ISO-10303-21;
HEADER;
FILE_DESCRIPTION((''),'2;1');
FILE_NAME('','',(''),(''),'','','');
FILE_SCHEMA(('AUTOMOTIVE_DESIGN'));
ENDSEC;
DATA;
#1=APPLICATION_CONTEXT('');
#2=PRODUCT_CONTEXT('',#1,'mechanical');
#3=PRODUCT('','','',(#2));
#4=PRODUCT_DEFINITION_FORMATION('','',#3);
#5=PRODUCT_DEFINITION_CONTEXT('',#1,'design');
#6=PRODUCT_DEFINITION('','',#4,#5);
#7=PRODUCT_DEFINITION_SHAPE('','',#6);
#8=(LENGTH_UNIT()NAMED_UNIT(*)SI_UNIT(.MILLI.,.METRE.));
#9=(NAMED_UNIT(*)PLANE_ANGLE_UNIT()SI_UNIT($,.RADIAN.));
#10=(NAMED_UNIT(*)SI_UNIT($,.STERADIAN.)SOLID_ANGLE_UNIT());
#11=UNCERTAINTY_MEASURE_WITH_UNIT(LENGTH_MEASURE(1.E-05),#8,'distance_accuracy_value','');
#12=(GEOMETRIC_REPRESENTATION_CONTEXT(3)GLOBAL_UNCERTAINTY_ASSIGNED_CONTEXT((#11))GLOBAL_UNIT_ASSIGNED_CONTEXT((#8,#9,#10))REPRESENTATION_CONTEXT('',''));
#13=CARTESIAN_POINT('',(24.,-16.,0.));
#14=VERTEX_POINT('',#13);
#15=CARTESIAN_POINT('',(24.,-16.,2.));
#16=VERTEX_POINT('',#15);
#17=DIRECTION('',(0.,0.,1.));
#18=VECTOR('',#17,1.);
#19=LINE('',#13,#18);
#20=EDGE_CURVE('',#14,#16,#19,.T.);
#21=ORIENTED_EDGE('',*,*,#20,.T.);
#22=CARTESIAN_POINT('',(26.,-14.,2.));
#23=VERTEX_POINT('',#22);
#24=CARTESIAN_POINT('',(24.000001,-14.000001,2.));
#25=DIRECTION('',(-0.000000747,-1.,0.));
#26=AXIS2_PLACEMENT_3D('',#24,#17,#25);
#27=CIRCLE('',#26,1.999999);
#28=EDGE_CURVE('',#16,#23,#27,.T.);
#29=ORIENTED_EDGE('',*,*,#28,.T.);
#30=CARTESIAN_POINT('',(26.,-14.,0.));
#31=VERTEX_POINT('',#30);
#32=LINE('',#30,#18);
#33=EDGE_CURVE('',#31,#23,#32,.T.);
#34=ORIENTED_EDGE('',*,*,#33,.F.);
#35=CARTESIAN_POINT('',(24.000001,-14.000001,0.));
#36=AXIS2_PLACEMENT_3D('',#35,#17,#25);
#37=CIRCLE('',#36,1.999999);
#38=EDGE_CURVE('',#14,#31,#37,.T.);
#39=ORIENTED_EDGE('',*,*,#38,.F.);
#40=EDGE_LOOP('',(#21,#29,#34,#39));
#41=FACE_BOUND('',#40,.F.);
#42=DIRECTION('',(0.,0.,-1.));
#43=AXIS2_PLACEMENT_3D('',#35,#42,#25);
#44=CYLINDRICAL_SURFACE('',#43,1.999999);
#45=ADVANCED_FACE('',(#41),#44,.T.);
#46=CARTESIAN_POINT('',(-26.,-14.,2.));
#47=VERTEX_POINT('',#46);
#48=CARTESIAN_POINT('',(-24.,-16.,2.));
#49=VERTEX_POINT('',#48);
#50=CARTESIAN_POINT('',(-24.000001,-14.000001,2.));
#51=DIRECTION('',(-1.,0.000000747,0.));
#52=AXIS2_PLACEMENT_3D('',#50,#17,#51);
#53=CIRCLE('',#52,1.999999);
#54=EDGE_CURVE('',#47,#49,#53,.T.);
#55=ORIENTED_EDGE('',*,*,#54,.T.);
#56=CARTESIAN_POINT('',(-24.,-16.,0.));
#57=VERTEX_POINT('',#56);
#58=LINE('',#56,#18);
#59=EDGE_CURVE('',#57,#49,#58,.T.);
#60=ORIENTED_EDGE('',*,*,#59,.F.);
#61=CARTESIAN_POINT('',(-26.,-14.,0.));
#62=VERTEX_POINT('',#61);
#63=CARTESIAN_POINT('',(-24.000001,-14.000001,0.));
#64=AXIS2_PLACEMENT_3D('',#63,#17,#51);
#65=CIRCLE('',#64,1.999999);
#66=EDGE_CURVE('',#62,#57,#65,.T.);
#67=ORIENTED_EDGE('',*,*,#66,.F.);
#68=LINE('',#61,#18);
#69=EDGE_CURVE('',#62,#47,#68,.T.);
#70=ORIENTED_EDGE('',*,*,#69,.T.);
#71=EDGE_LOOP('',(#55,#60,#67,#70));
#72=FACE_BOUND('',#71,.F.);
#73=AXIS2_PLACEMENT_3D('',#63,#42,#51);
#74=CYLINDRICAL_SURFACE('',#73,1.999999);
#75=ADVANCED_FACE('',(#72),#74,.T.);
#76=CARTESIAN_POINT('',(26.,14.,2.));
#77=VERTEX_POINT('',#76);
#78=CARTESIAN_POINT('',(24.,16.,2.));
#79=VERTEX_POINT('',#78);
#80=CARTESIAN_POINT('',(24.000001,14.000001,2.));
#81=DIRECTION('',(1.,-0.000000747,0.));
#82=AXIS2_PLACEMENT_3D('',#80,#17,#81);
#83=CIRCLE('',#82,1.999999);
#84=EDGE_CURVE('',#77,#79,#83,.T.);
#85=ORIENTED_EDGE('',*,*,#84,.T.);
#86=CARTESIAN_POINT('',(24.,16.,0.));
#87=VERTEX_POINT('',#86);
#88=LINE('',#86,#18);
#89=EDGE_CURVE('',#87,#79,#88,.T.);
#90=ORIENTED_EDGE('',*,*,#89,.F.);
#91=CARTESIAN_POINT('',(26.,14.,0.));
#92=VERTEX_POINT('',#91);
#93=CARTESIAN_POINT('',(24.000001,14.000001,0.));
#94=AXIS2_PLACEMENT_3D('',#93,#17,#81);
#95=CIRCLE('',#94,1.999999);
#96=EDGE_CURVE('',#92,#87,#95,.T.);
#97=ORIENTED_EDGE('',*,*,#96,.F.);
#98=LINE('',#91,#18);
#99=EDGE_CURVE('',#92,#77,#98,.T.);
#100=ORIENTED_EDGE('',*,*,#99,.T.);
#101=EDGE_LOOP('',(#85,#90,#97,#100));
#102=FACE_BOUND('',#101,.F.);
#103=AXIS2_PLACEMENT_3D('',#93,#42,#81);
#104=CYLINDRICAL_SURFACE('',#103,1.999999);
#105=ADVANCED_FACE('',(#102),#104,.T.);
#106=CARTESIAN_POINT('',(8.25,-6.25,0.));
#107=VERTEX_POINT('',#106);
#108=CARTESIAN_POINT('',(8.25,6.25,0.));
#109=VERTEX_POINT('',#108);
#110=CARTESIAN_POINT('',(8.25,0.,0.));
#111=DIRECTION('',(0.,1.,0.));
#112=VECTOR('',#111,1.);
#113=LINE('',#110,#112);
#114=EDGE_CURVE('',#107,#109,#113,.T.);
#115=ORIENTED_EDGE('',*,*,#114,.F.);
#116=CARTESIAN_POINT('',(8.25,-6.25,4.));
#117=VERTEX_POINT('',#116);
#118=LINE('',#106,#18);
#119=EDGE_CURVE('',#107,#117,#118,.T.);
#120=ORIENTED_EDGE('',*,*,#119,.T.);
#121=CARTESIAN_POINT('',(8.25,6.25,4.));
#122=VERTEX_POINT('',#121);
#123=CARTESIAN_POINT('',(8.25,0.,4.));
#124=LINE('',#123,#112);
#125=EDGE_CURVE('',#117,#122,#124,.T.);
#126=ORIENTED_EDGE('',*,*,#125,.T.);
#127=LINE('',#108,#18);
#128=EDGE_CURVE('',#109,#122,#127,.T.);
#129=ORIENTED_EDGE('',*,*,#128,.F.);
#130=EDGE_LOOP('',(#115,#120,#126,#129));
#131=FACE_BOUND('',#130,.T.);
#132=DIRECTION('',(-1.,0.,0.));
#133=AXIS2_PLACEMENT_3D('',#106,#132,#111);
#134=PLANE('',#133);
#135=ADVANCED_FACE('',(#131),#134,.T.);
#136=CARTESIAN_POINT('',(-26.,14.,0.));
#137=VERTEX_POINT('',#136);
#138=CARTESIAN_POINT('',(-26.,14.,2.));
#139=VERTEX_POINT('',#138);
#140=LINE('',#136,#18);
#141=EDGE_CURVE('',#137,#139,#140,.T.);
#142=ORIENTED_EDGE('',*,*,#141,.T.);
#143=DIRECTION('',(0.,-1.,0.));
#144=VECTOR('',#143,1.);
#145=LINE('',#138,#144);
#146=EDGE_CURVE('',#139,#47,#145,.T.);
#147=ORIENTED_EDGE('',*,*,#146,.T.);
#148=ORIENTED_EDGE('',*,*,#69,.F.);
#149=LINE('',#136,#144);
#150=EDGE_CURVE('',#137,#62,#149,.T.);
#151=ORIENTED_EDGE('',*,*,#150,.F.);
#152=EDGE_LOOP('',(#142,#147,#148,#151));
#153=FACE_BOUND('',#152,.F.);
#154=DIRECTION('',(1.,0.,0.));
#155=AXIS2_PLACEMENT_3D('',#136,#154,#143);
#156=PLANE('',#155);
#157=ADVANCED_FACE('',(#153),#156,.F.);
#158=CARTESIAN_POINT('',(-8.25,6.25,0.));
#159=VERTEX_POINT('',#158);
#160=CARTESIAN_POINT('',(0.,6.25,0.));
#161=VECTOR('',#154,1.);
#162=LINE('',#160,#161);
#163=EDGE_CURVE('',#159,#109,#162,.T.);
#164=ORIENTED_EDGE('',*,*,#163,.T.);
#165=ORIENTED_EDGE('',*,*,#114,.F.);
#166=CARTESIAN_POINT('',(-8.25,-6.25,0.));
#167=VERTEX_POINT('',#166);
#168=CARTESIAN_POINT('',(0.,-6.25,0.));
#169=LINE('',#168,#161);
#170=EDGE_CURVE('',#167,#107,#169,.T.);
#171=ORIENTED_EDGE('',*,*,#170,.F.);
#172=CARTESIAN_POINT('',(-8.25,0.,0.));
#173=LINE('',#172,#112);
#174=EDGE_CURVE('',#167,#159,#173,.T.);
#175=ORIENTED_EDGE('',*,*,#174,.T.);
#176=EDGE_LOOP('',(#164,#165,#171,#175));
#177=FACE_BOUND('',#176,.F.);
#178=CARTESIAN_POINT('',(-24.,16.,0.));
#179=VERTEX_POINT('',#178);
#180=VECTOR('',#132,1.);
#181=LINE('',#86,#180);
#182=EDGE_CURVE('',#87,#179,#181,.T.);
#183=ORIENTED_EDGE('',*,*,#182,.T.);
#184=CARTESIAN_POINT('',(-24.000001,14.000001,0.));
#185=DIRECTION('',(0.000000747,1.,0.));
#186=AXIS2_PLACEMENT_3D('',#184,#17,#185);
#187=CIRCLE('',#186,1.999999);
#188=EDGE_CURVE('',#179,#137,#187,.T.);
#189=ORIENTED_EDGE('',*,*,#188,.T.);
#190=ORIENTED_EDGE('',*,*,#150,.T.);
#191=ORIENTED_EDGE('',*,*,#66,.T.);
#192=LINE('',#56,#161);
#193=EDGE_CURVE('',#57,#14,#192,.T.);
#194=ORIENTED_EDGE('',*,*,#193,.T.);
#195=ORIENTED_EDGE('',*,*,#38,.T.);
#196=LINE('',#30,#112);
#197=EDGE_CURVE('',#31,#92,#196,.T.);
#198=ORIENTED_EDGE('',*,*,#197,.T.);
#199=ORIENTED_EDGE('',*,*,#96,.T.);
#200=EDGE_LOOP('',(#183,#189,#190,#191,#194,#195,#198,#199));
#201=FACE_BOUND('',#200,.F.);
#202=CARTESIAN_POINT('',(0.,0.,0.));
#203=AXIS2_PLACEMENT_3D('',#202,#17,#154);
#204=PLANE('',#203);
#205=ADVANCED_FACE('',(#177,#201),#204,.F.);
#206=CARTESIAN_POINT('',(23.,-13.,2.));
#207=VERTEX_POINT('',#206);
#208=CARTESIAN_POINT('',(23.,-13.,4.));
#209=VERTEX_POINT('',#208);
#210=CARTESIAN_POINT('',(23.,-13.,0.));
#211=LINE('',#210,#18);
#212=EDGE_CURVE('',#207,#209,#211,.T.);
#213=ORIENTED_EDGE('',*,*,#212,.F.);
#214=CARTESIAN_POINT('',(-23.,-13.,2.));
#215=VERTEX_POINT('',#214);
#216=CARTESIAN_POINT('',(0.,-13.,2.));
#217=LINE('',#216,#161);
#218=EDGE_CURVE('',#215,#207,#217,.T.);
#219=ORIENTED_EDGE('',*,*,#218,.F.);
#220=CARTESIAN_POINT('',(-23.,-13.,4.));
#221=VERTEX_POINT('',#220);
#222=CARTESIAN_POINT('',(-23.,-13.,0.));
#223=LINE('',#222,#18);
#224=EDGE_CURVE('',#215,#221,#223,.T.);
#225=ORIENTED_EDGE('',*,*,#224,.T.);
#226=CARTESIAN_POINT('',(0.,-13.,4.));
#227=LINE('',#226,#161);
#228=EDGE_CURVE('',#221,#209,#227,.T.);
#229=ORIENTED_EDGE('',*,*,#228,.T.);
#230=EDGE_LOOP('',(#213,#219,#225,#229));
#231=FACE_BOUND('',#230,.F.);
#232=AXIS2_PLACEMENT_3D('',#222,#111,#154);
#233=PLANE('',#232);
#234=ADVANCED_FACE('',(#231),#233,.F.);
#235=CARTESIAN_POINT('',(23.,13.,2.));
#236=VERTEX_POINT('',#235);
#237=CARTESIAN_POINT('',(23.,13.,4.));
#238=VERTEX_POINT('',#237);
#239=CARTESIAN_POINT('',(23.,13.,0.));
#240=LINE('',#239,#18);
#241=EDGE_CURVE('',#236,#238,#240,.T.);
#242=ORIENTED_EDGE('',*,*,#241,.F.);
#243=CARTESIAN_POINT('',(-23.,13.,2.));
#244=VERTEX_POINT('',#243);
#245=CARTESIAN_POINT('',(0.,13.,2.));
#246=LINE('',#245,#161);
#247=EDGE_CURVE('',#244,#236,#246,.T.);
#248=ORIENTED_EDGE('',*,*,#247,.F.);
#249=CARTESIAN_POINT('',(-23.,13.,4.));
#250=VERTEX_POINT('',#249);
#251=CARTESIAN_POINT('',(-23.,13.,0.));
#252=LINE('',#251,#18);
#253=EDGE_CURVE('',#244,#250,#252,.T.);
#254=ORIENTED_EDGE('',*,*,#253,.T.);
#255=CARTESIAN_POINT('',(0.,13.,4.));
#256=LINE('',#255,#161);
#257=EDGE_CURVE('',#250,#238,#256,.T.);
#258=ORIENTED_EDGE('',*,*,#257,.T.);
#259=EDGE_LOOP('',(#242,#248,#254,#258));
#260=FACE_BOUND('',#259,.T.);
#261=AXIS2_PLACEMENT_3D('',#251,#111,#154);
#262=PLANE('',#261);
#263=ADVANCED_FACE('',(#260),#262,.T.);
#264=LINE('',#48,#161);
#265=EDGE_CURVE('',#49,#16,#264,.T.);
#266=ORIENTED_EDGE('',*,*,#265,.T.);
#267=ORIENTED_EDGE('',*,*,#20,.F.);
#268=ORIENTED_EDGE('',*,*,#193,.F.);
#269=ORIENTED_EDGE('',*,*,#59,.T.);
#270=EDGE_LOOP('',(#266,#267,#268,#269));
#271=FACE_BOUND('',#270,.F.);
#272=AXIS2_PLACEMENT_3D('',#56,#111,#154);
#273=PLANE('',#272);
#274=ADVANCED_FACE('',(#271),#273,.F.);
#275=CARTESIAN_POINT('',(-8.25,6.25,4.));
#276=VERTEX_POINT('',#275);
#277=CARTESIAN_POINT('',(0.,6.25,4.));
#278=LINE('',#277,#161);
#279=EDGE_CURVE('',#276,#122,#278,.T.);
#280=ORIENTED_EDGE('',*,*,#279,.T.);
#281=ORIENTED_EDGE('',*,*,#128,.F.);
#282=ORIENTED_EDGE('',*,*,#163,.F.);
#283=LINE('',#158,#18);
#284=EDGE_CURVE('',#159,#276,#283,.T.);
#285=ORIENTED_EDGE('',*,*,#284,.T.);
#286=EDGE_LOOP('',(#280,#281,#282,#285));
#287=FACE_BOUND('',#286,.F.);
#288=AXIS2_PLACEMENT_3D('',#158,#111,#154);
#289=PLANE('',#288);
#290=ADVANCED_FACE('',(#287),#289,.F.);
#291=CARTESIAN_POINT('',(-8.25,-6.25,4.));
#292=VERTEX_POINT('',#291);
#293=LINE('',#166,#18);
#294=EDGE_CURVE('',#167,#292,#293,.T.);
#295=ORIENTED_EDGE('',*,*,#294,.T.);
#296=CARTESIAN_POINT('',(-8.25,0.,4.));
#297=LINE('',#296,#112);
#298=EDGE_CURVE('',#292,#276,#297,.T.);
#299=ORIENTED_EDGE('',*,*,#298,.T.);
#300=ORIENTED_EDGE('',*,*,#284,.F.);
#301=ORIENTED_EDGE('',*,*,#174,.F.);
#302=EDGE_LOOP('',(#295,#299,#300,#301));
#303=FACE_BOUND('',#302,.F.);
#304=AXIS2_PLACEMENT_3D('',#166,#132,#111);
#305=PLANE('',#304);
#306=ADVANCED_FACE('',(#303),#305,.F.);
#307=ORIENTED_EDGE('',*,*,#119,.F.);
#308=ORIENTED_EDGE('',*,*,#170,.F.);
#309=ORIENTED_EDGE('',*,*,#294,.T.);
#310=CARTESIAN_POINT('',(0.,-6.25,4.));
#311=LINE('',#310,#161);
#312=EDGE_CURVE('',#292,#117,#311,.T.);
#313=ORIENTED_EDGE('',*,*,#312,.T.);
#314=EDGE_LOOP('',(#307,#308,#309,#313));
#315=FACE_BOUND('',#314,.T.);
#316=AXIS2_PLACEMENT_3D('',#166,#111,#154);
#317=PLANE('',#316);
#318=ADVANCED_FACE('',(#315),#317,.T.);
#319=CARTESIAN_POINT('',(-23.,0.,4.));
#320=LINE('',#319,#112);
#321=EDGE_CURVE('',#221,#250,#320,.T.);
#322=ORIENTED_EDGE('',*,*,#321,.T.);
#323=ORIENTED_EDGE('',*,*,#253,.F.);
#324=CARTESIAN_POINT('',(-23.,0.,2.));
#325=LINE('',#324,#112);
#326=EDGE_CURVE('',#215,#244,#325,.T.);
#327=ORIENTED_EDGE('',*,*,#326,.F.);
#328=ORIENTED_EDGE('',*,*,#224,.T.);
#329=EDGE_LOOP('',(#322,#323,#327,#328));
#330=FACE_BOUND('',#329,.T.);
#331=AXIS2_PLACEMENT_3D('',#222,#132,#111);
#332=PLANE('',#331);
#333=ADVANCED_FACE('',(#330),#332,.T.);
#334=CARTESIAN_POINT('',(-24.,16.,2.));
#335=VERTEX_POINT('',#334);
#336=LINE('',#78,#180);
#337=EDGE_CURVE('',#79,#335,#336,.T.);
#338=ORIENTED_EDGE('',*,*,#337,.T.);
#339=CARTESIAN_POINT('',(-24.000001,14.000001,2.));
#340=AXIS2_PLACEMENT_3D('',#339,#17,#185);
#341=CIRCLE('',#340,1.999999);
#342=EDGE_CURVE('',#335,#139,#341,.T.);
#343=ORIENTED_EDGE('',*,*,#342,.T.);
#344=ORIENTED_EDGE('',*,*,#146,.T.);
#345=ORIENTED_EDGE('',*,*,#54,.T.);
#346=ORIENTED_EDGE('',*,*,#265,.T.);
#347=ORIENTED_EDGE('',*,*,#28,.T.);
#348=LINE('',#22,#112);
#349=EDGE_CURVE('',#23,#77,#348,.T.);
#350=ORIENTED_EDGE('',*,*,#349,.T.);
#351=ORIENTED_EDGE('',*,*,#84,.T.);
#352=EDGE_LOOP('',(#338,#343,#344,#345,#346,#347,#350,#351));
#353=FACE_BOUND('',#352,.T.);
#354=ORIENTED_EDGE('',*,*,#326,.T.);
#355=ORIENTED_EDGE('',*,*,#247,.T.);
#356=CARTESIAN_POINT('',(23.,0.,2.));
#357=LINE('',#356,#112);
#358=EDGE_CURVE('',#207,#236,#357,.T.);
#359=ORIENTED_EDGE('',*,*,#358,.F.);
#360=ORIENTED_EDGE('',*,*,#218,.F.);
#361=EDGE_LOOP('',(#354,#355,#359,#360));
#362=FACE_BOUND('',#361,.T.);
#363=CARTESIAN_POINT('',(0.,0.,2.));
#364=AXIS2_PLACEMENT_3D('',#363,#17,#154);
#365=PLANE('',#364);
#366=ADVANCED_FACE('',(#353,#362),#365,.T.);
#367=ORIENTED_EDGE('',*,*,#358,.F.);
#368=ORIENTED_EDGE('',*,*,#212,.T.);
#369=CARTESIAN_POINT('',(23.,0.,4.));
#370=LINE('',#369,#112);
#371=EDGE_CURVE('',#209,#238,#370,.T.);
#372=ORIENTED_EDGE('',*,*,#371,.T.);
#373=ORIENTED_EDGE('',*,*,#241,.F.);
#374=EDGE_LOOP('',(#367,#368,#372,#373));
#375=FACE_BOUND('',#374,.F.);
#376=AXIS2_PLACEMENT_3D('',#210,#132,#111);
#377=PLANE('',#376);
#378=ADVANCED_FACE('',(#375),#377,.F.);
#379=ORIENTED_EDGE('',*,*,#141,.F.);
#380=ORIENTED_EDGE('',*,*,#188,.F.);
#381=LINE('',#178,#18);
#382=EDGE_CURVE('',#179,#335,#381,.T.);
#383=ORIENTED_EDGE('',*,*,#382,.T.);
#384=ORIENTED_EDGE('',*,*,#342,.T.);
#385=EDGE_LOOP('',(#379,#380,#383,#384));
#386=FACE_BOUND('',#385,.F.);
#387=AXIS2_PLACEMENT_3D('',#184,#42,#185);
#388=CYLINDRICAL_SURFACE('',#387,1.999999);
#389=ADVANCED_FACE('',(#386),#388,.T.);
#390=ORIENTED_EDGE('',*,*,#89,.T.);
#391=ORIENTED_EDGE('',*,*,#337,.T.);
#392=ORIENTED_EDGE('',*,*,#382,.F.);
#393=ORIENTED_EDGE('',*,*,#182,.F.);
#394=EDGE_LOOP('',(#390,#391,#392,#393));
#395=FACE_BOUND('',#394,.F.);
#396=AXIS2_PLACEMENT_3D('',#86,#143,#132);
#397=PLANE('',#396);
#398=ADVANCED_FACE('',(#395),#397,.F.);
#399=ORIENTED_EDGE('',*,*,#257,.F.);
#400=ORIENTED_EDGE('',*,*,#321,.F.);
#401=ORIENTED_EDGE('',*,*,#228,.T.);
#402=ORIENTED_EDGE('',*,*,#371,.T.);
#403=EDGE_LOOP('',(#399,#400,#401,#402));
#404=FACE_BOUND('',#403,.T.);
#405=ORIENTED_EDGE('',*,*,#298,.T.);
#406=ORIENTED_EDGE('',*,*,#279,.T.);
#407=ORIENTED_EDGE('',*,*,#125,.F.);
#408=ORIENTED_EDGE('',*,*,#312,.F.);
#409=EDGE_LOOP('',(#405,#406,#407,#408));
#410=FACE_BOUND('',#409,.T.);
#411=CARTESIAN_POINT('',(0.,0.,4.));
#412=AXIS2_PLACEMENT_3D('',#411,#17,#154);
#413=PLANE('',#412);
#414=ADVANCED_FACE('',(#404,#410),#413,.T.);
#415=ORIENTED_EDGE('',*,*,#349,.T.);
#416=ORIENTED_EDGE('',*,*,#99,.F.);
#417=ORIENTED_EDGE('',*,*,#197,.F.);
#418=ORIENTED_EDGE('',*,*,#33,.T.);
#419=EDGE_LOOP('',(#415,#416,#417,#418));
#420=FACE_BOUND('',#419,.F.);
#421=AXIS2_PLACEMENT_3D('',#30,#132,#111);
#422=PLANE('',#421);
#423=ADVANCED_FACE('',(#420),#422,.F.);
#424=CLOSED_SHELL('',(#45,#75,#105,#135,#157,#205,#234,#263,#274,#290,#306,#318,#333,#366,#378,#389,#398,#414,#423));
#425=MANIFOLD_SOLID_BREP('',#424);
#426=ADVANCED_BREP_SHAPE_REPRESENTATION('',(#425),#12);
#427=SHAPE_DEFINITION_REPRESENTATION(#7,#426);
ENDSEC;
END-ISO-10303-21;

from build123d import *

# Parameters (mm, degrees)
F0_W     = 46
F0_H     = 26
F0_W_2   = 16.5
F0_H_2   = 12.5
F1_DEPTH = 4
F2_DEPTH = 2


with BuildPart() as f1:
    # F0 (on Top) → F1 (new body)
    with BuildSketch(Plane.XY):
        Rectangle(F0_W, F0_H)
        Rectangle(F0_W_2, F0_H_2, mode=Mode.SUBTRACT)
    extrude(amount=F1_DEPTH)

    # F0 (on Top) → F2 (join)
    with BuildSketch(Plane.XY):
        with BuildLine():
            Line((24, 16), (-24, 16))
            ThreePointArc((-24, 16), (-25.414214, 15.414214), (-26, 14))
            Line((-26, 14), (-26, -14))
            ThreePointArc((-26, -14), (-25.414214, -15.414214), (-24, -16))
            Line((-24, -16), (24, -16))
            ThreePointArc((24, -16), (25.414214, -15.414214), (26, -14))
            Line((26, -14), (26, 14))
            ThreePointArc((26, 14), (25.414214, 15.414214), (24, 16))
        make_face()
        Rectangle(F0_W, F0_H, mode=Mode.SUBTRACT)
    extrude(amount=F2_DEPTH)


solid = f1.part
